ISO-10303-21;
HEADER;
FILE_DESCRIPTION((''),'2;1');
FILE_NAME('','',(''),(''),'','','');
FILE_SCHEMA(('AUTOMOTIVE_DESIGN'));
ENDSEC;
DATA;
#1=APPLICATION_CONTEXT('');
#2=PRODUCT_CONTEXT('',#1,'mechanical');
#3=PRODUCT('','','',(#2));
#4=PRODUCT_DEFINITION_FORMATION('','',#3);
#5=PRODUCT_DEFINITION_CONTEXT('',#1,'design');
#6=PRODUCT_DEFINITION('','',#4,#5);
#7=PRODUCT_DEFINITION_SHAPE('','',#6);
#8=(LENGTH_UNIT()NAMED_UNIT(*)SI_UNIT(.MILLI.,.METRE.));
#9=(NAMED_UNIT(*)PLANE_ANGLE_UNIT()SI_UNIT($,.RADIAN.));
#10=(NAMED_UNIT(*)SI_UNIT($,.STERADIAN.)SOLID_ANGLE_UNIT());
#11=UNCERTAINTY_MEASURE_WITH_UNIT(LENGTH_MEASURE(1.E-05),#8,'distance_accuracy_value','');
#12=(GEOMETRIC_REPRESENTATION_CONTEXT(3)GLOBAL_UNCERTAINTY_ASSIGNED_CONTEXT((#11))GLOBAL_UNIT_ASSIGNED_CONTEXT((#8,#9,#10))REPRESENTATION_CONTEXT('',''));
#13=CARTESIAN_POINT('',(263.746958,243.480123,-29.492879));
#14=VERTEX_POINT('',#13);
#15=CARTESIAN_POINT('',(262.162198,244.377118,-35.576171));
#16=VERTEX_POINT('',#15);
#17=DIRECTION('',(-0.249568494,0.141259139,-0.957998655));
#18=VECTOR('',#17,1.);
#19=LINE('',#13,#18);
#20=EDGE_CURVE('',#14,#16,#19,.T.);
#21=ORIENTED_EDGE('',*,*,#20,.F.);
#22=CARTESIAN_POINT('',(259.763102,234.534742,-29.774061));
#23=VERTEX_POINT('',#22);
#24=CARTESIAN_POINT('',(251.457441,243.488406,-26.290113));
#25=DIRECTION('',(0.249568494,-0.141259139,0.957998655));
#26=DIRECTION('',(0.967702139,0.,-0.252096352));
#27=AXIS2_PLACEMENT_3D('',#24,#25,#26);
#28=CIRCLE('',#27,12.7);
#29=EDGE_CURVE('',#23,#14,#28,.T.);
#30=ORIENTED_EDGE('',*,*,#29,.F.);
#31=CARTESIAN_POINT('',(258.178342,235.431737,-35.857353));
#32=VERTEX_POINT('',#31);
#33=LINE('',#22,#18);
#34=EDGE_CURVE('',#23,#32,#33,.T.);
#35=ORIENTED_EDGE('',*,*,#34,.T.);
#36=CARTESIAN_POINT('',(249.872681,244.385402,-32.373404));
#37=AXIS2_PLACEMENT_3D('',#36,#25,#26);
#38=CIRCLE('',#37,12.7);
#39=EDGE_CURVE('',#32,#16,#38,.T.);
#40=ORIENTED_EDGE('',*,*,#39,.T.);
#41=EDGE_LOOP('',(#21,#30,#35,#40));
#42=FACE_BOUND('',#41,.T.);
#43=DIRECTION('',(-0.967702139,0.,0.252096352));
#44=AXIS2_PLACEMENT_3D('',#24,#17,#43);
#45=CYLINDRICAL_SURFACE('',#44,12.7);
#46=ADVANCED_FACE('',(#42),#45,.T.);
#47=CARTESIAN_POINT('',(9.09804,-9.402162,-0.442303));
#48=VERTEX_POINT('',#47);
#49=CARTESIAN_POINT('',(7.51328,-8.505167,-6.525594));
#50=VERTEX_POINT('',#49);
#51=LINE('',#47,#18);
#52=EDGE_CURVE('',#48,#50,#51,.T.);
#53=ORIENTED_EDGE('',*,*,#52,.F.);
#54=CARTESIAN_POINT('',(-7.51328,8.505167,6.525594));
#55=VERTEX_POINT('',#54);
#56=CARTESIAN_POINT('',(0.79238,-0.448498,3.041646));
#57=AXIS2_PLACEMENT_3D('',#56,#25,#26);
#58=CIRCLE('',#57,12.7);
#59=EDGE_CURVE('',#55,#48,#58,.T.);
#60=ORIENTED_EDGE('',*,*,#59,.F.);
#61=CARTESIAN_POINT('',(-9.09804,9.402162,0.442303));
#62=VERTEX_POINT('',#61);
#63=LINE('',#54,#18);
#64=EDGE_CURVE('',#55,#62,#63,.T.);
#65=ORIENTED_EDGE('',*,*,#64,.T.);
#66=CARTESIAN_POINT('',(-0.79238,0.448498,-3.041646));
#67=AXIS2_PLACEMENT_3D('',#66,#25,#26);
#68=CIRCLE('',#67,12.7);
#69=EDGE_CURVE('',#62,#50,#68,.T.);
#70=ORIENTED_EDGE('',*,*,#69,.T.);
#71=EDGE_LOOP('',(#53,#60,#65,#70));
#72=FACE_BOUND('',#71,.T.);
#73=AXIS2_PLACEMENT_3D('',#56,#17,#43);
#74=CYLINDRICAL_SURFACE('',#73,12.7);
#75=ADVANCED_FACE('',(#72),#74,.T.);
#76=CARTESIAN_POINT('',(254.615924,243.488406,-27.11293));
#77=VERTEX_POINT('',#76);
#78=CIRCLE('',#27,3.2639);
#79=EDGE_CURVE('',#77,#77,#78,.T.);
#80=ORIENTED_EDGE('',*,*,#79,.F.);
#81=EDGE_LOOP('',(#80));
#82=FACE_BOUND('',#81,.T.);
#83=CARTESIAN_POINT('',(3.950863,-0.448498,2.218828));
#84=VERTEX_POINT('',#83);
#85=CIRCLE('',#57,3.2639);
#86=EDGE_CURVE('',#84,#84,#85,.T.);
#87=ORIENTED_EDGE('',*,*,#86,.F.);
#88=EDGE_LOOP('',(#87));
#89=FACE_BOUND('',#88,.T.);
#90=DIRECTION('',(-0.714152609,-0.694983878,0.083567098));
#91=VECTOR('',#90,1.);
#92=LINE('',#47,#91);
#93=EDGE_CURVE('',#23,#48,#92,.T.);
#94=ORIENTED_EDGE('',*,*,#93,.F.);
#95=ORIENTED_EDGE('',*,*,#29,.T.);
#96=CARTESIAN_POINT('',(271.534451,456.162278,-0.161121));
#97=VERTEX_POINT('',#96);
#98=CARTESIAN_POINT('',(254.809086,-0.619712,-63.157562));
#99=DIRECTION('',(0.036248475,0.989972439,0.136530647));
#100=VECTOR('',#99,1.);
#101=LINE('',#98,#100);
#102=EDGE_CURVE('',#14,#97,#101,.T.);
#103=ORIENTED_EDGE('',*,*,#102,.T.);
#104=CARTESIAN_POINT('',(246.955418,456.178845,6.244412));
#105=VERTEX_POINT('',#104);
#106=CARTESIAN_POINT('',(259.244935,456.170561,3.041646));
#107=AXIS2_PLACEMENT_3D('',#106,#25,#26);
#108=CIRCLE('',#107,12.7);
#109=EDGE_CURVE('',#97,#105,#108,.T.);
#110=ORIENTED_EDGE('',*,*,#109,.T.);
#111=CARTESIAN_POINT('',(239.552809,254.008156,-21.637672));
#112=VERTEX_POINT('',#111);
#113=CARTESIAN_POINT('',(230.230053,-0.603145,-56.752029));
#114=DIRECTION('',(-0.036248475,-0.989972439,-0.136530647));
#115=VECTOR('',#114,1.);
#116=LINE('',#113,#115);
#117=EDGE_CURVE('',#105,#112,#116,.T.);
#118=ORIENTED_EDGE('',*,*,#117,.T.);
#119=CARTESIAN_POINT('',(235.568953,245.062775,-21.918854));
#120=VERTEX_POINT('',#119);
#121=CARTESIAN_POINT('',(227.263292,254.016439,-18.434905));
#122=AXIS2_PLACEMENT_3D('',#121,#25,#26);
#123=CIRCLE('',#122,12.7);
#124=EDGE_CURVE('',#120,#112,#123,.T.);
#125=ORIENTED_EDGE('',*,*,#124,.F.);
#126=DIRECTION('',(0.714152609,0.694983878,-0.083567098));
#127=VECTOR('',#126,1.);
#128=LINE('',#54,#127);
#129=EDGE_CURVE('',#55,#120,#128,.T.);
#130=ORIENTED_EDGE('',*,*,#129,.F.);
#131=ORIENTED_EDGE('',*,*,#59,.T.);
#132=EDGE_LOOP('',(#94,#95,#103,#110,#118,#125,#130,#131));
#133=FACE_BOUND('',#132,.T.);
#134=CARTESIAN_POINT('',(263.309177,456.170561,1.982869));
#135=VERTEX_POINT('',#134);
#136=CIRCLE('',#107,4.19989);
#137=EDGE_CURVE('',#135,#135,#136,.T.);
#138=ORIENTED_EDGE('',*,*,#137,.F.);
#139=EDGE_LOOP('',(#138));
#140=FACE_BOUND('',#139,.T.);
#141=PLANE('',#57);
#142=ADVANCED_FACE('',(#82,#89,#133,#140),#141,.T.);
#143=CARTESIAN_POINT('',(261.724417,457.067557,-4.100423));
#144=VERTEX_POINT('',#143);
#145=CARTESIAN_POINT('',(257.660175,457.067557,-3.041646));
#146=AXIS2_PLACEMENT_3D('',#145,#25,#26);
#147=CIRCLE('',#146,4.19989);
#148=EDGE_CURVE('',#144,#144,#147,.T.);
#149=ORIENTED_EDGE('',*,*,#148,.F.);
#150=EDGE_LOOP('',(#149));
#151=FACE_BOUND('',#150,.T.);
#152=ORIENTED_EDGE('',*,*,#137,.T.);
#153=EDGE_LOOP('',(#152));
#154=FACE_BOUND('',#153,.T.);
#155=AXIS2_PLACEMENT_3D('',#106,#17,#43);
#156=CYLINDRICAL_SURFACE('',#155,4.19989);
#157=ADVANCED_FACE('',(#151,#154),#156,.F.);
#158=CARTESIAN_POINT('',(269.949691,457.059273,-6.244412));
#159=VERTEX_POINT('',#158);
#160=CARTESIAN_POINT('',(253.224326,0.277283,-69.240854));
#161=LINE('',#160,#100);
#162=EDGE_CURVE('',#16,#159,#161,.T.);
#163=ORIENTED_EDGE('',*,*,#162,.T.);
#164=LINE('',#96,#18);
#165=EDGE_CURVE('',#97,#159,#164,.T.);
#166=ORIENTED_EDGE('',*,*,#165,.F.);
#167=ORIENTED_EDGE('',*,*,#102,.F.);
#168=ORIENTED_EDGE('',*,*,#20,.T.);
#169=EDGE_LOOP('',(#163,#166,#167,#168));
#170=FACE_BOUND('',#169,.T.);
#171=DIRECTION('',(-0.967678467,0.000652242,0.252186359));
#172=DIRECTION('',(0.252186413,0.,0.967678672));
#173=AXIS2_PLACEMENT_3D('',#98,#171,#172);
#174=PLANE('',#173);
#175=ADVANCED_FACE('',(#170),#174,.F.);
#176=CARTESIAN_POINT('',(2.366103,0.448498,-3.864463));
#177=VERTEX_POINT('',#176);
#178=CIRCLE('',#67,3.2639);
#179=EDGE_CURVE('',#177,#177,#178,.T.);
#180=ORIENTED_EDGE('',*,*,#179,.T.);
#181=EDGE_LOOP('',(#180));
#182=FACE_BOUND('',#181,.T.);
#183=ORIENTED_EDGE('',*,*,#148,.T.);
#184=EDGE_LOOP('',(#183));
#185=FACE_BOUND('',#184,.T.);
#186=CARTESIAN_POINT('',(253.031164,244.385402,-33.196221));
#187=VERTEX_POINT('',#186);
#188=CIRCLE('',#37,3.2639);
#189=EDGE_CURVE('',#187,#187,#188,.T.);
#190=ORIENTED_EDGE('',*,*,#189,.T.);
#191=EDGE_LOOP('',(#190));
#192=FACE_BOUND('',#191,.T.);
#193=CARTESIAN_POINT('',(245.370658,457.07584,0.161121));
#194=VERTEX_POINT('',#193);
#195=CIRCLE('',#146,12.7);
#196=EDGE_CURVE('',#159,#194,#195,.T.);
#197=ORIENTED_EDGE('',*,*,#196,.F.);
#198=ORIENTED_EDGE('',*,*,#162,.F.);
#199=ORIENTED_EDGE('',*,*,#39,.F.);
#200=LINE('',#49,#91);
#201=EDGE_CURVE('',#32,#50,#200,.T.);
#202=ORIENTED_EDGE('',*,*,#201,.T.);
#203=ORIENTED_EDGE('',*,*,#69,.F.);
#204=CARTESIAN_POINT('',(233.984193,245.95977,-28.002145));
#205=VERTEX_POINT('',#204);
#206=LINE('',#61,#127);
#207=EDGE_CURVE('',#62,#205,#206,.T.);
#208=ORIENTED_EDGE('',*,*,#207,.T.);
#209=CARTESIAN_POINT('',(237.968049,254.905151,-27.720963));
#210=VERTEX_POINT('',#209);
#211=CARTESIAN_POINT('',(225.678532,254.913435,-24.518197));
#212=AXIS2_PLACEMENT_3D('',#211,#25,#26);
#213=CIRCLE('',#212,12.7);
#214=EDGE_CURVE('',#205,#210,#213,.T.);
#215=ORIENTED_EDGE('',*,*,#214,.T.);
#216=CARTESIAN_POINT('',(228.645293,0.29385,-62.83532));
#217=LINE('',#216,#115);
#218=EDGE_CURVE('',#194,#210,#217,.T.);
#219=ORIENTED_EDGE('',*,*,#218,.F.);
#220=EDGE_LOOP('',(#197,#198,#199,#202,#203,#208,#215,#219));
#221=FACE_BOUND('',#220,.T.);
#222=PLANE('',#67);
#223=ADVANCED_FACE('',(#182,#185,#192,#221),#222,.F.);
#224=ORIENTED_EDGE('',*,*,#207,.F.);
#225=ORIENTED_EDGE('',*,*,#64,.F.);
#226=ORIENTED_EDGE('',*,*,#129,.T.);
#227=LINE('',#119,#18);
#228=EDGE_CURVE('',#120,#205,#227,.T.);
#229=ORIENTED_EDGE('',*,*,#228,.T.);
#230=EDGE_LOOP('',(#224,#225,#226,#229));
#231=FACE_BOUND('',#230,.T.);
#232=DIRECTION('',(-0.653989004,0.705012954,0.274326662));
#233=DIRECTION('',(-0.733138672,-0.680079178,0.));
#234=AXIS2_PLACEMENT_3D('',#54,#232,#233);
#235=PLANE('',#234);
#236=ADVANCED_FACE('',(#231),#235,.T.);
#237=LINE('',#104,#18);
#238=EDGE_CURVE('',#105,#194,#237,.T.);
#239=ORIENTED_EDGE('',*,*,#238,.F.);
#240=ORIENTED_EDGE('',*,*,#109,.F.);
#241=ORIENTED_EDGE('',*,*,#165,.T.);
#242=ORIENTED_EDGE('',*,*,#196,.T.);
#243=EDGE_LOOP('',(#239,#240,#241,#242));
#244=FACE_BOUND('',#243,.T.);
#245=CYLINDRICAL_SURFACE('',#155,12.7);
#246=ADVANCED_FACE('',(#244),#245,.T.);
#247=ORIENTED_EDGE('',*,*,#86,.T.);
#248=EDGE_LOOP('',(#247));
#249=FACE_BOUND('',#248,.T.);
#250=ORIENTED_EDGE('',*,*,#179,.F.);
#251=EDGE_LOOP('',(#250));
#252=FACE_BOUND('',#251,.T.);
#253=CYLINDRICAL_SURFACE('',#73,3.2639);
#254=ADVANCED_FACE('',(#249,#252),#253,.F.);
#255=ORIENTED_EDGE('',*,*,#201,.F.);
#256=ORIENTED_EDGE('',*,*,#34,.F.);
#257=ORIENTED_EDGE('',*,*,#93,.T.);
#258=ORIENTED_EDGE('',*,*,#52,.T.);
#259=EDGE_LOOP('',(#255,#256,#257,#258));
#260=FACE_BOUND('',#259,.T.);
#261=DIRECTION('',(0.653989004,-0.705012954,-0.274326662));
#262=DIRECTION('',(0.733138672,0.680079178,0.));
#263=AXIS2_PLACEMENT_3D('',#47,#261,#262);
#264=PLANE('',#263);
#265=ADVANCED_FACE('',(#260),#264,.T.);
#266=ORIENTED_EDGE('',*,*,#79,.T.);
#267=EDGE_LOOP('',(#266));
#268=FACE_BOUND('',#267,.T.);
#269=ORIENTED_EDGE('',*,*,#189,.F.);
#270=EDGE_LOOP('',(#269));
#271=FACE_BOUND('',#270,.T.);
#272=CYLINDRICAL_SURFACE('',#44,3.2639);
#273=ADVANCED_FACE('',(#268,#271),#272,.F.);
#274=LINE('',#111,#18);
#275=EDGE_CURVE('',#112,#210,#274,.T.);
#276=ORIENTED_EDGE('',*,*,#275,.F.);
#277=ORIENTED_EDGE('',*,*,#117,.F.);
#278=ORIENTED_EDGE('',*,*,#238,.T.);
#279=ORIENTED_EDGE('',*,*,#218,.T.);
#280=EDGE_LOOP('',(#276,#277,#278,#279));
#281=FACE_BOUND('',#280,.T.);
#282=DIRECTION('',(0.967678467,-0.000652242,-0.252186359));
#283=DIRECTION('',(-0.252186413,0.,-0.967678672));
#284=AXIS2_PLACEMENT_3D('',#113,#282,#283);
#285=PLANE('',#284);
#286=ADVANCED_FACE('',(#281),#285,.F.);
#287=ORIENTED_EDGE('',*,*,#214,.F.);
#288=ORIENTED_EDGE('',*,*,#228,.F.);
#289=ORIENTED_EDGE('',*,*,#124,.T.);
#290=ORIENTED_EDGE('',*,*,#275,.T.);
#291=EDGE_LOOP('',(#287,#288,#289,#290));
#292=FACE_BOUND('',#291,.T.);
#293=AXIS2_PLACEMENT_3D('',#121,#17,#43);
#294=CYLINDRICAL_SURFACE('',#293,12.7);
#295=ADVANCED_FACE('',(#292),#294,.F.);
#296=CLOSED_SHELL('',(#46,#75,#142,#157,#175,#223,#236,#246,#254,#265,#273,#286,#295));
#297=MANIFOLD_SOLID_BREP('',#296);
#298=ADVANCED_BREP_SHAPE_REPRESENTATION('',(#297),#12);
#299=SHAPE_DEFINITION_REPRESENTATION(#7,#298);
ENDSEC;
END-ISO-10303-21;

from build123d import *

# Parameters (mm, degrees)
SKETCH2_R           = 12.7
SKETCH2_R_2         = 3.2639
SKETCH2_R_3         = 4.19989
BOSS_EXTRUDE1_DEPTH = 3.175


with BuildPart() as part:
    # Sketch2 → Boss-Extrude1 (new, symmetric)
    # profile 1 of 7: a face of its own
    with BuildSketch(Plane(origin=(0, 0, 0), x_dir=(0.9683571483215458, 0.03640581426885692, -0.2468988658985399), z_dir=(0.24956849419460725, -0.14125913850417393, 0.9579986547456604))):
        with BuildLine():
            Line((242.448329145, 239.243930423), (-8.577063088, 9.366108518))
            ThreePointArc((-8.577063088, 9.366108518), (5.11670298, 11.623654787), (12.7, 0))
            ThreePointArc((12.7, 0), (11.623654787, -5.11670298), (8.577063088, -9.366108518))
            Line((8.577063088, -9.366108518), (267.433066466, 227.682636686))
            ThreePointArc((267.433066466, 227.682636686), (253.522604962, 225.522910686), (246.164904285, 237.524143805))
            Line((246.164904285, 237.524143805), (246.363634717, 242.829392073))
            Line((246.363634717, 242.829392073), (242.448329145, 239.243930423))
        make_face()
    # profile 2 of 7: a face of its own
    with BuildSketch(Plane(origin=(0, 0, 0), x_dir=(0.9683571483215458, 0.03640581426885692, -0.2468988658985399), z_dir=(0.24956849419460725, -0.14125913850417393, 0.9579986547456604))):
        Circle(SKETCH2_R)
        with Locations(Location((0, 0, 0), (0, 0, 357.892497398))):
            Circle(SKETCH2_R_2, mode=Mode.SUBTRACT)
    # profile 3 of 7: a face of its own
    with BuildSketch(Plane(origin=(0, 0, 0), x_dir=(0.9683571483215458, 0.03640581426885692, -0.2468988658985399), z_dir=(0.24956849419460725, -0.14125913850417393, 0.9579986547456604))):
        with Locations((258.856003378, 237.048745204)):
            Circle(SKETCH2_R)
        with Locations(Location((258.856003378, 237.048745204, 0), (0, 0, 357.892497398))):
            Circle(SKETCH2_R_2, mode=Mode.SUBTRACT)
    # profile 4 of 7: a face of its own
    with BuildSketch(Plane(origin=(0, 0, 0), x_dir=(0.9683571483215458, 0.03640581426885692, -0.2468988658985399), z_dir=(0.24956849419460725, -0.14125913850417393, 0.9579986547456604))):
        with BuildLine():
            Line((246.562365149, 248.134640341), (246.363634717, 242.829392073))
            Line((246.363634717, 242.829392073), (250.278940289, 246.414853723))
            ThreePointArc((250.278940289, 246.414853723), (263.972706358, 248.672399992), (271.556003378, 237.048745204))
            ThreePointArc((271.556003378, 237.048745204), (271.553777956, 236.811004245), (271.54710247, 236.573346604))
            Line((271.54710247, 236.573346604), (279.589066496, 451.259216922))
            ThreePointArc((279.589066496, 451.259216922), (266.422568803, 439.04351643), (254.206868311, 452.210014123))
            Line((254.206868311, 452.210014123), (246.562365149, 248.134640341))
        make_face()
    # profile 5 of 7: a face of its own
    with BuildSketch(Plane(origin=(0, 0, 0), x_dir=(0.9683571483215458, 0.03640581426885692, -0.2468988658985399), z_dir=(0.24956849419460725, -0.14125913850417393, 0.9579986547456604))):
        with BuildLine():
            Line((250.278940289, 246.414853723), (246.363634717, 242.829392073))
            Line((246.363634717, 242.829392073), (246.164904285, 237.524143805))
            ThreePointArc((246.164904285, 237.524143805), (247.330168859, 242.38214362), (250.278940289, 246.414853723))
        make_face()
    # profile 6 of 7: a face of its own
    with BuildSketch(Plane(origin=(0, 0, 0), x_dir=(0.9683571483215458, 0.03640581426885692, -0.2468988658985399), z_dir=(0.24956849419460725, -0.14125913850417393, 0.9579986547456604))):
        with Locations((266.897967404, 451.734615523)):
            Circle(SKETCH2_R)
        with Locations(Location((266.897967404, 451.734615523, 0), (0, 0, 357.892497398))):
            Circle(SKETCH2_R_3, mode=Mode.SUBTRACT)
    # profile 7 of 7: a face of its own
    with BuildSketch(Plane(origin=(0, 0, 0), x_dir=(0.9683571483215458, 0.03640581426885692, -0.2468988658985399), z_dir=(0.24956849419460725, -0.14125913850417393, 0.9579986547456604))):
        with BuildLine():
            ThreePointArc((246.562365149, 248.134640341), (245.397100575, 243.276640526), (242.448329145, 239.243930423))
            Line((242.448329145, 239.243930423), (246.363634717, 242.829392073))
            Line((246.363634717, 242.829392073), (246.562365149, 248.134640341))
        make_face()
    extrude(amount=BOSS_EXTRUDE1_DEPTH, both=True)


solid = part.part
